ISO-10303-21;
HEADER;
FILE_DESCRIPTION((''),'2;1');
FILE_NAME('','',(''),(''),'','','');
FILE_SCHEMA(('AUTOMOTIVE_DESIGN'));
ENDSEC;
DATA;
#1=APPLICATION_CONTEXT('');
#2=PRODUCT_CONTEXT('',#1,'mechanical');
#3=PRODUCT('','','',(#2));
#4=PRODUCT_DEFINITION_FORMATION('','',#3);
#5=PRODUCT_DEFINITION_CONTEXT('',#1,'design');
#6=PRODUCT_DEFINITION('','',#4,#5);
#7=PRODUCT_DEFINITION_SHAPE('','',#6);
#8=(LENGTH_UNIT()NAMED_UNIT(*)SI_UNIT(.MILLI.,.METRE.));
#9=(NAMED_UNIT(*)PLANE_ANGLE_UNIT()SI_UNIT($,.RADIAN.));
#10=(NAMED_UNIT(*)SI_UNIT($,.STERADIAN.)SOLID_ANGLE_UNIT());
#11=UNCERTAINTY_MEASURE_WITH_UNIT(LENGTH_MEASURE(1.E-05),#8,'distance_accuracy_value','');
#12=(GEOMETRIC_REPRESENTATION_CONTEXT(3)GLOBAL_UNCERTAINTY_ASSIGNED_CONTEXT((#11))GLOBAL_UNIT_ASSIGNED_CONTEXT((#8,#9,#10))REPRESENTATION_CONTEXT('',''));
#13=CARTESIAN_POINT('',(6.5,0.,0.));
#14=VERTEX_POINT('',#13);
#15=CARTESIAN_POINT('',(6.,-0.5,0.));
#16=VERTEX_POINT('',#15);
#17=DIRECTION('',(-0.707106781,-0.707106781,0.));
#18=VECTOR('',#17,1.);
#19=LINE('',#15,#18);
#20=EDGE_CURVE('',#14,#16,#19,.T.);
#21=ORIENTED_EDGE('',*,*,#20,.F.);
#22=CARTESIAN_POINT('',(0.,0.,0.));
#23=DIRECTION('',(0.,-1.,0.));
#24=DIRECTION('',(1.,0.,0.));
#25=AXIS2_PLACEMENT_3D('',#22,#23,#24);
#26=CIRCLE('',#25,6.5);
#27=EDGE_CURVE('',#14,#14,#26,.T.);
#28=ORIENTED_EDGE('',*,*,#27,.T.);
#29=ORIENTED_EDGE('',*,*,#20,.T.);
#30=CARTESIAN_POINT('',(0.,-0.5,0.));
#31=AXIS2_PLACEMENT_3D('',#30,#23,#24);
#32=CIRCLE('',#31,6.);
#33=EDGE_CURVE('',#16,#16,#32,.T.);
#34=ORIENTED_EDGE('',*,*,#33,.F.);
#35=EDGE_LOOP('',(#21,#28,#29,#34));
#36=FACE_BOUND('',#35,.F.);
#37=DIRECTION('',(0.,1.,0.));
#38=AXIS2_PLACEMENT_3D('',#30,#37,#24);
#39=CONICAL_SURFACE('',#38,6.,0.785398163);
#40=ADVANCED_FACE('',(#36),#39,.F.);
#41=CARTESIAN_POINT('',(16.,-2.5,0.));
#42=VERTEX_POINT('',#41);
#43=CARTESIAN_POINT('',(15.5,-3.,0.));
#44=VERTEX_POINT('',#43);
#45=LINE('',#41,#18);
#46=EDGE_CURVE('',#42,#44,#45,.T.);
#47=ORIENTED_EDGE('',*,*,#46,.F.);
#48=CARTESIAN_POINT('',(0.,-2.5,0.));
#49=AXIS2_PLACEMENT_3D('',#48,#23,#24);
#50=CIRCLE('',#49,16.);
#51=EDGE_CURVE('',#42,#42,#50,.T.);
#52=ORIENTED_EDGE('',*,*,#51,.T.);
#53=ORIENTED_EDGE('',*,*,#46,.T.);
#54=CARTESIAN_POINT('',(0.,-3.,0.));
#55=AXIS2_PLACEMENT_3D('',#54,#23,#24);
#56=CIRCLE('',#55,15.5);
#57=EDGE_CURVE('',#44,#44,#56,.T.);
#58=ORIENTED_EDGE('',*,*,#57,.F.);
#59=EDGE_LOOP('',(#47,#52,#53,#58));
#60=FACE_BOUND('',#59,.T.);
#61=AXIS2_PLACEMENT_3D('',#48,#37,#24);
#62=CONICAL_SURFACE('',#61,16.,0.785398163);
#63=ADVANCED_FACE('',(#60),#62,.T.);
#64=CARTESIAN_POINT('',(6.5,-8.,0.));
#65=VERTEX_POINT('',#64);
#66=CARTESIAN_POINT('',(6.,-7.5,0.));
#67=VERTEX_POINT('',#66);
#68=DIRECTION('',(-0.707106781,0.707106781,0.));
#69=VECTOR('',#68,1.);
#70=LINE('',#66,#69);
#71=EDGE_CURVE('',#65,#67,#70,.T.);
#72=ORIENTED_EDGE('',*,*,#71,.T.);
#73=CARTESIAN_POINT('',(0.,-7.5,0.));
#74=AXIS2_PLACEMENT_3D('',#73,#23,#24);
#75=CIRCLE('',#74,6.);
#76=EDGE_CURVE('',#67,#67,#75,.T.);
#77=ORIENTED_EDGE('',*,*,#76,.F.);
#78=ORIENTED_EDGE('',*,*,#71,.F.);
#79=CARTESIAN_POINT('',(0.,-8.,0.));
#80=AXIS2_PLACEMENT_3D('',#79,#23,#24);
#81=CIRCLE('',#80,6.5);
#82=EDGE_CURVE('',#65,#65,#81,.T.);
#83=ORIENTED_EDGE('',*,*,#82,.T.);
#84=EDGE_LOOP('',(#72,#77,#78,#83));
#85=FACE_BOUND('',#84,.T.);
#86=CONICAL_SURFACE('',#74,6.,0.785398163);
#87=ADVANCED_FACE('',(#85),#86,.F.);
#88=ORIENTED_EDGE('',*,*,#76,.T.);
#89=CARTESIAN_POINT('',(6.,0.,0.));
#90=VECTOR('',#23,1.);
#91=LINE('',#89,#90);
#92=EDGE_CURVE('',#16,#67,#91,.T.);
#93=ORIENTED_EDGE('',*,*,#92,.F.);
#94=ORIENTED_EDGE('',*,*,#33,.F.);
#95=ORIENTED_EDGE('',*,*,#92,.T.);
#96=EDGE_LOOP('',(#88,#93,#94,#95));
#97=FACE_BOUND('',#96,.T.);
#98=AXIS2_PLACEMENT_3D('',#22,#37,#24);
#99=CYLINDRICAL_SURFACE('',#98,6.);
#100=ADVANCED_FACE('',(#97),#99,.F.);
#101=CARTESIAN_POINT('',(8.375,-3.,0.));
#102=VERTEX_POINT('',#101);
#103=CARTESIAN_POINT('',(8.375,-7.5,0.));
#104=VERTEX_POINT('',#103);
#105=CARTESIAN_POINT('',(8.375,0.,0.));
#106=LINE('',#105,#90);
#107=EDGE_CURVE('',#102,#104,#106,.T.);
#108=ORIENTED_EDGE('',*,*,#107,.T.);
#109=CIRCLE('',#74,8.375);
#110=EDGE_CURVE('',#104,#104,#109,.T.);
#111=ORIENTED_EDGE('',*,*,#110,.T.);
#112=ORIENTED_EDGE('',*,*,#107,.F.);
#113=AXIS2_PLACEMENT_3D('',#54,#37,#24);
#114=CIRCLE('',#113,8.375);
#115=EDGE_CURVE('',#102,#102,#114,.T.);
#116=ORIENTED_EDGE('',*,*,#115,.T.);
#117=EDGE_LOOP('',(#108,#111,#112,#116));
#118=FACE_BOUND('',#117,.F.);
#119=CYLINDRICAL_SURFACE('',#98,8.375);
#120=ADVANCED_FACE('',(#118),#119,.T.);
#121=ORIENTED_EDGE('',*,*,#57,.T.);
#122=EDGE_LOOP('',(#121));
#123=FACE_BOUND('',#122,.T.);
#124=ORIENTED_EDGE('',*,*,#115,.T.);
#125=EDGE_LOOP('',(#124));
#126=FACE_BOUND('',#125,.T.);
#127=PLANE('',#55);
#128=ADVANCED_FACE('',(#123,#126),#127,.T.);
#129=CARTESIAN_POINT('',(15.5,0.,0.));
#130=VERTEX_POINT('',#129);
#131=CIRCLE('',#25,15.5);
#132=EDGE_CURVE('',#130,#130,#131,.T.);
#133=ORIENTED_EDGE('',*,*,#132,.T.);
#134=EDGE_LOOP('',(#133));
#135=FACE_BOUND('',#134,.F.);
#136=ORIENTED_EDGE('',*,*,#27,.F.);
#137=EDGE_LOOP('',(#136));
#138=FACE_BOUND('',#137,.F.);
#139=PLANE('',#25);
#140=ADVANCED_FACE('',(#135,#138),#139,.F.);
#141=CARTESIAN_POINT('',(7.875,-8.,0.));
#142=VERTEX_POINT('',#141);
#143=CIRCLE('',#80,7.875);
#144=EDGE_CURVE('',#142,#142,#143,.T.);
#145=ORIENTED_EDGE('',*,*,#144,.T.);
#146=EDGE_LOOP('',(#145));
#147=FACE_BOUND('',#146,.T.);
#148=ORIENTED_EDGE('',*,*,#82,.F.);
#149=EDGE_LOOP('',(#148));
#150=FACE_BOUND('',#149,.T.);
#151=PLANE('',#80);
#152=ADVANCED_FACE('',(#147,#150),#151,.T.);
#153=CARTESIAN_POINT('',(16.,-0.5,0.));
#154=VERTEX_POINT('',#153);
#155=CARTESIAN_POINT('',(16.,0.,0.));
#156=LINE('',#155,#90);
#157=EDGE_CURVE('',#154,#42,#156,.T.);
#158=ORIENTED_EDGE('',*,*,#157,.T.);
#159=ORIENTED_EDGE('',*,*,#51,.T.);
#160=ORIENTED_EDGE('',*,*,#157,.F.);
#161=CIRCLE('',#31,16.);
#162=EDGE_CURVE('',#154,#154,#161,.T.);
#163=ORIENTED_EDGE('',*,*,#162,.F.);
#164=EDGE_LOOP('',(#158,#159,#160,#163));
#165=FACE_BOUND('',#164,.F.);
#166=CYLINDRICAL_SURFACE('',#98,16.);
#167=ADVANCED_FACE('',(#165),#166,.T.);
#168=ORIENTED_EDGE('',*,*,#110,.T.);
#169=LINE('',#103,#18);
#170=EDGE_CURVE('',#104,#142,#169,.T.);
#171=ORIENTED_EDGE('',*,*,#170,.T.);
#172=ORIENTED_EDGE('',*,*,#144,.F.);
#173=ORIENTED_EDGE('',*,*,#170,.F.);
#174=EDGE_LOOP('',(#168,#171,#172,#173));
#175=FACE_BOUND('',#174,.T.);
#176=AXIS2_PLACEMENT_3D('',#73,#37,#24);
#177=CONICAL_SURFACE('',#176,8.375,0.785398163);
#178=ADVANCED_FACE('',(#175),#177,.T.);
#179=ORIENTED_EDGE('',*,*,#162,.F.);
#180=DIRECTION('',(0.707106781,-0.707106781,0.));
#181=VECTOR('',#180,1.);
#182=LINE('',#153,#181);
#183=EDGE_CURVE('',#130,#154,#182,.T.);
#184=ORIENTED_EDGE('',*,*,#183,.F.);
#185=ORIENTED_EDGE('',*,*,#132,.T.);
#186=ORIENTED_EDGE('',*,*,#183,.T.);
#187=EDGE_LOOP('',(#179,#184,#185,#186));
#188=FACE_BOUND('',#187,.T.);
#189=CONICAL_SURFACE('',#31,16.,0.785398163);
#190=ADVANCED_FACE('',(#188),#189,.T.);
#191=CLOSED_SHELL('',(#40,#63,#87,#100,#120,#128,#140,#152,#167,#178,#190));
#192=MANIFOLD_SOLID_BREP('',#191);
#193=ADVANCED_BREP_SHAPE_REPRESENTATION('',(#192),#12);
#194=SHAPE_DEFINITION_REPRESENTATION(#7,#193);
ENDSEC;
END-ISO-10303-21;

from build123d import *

# Parameters (mm, degrees)
F0_R     = 16
F0_R_2   = 8.375
F0_R_3   = 6
F1_DEPTH = 3
F2_DEPTH = 8
F3_SIZE  = 0.5


with BuildPart() as f1:
    # F0 (on Front) → F1 (new body)
    with BuildSketch(Plane.XZ):
        Circle(F0_R)
        Circle(F0_R_2, mode=Mode.SUBTRACT)
        Circle(F0_R_2)
        Circle(F0_R_3, mode=Mode.SUBTRACT)
    extrude(amount=F1_DEPTH)

    # F0 (on Front) → F2 (join)
    with BuildSketch(Plane.XZ):
        Circle(F0_R_2)
        Circle(F0_R_3, mode=Mode.SUBTRACT)
    extrude(amount=F2_DEPTH)

    # F3
    f3_edges = [f1.edges().sort_by_distance(p)[0] for p in [
        (16, -1.5, 0),
        (-16, 0, 0),
        (-16, -3, 0),
        (-6, 0, 0),
        (6, -4, 0),
        (-6, -8, 0),
        (-8.375, -8, 0),
    ]]
    chamfer(f3_edges, length=F3_SIZE)


solid = f1.part
